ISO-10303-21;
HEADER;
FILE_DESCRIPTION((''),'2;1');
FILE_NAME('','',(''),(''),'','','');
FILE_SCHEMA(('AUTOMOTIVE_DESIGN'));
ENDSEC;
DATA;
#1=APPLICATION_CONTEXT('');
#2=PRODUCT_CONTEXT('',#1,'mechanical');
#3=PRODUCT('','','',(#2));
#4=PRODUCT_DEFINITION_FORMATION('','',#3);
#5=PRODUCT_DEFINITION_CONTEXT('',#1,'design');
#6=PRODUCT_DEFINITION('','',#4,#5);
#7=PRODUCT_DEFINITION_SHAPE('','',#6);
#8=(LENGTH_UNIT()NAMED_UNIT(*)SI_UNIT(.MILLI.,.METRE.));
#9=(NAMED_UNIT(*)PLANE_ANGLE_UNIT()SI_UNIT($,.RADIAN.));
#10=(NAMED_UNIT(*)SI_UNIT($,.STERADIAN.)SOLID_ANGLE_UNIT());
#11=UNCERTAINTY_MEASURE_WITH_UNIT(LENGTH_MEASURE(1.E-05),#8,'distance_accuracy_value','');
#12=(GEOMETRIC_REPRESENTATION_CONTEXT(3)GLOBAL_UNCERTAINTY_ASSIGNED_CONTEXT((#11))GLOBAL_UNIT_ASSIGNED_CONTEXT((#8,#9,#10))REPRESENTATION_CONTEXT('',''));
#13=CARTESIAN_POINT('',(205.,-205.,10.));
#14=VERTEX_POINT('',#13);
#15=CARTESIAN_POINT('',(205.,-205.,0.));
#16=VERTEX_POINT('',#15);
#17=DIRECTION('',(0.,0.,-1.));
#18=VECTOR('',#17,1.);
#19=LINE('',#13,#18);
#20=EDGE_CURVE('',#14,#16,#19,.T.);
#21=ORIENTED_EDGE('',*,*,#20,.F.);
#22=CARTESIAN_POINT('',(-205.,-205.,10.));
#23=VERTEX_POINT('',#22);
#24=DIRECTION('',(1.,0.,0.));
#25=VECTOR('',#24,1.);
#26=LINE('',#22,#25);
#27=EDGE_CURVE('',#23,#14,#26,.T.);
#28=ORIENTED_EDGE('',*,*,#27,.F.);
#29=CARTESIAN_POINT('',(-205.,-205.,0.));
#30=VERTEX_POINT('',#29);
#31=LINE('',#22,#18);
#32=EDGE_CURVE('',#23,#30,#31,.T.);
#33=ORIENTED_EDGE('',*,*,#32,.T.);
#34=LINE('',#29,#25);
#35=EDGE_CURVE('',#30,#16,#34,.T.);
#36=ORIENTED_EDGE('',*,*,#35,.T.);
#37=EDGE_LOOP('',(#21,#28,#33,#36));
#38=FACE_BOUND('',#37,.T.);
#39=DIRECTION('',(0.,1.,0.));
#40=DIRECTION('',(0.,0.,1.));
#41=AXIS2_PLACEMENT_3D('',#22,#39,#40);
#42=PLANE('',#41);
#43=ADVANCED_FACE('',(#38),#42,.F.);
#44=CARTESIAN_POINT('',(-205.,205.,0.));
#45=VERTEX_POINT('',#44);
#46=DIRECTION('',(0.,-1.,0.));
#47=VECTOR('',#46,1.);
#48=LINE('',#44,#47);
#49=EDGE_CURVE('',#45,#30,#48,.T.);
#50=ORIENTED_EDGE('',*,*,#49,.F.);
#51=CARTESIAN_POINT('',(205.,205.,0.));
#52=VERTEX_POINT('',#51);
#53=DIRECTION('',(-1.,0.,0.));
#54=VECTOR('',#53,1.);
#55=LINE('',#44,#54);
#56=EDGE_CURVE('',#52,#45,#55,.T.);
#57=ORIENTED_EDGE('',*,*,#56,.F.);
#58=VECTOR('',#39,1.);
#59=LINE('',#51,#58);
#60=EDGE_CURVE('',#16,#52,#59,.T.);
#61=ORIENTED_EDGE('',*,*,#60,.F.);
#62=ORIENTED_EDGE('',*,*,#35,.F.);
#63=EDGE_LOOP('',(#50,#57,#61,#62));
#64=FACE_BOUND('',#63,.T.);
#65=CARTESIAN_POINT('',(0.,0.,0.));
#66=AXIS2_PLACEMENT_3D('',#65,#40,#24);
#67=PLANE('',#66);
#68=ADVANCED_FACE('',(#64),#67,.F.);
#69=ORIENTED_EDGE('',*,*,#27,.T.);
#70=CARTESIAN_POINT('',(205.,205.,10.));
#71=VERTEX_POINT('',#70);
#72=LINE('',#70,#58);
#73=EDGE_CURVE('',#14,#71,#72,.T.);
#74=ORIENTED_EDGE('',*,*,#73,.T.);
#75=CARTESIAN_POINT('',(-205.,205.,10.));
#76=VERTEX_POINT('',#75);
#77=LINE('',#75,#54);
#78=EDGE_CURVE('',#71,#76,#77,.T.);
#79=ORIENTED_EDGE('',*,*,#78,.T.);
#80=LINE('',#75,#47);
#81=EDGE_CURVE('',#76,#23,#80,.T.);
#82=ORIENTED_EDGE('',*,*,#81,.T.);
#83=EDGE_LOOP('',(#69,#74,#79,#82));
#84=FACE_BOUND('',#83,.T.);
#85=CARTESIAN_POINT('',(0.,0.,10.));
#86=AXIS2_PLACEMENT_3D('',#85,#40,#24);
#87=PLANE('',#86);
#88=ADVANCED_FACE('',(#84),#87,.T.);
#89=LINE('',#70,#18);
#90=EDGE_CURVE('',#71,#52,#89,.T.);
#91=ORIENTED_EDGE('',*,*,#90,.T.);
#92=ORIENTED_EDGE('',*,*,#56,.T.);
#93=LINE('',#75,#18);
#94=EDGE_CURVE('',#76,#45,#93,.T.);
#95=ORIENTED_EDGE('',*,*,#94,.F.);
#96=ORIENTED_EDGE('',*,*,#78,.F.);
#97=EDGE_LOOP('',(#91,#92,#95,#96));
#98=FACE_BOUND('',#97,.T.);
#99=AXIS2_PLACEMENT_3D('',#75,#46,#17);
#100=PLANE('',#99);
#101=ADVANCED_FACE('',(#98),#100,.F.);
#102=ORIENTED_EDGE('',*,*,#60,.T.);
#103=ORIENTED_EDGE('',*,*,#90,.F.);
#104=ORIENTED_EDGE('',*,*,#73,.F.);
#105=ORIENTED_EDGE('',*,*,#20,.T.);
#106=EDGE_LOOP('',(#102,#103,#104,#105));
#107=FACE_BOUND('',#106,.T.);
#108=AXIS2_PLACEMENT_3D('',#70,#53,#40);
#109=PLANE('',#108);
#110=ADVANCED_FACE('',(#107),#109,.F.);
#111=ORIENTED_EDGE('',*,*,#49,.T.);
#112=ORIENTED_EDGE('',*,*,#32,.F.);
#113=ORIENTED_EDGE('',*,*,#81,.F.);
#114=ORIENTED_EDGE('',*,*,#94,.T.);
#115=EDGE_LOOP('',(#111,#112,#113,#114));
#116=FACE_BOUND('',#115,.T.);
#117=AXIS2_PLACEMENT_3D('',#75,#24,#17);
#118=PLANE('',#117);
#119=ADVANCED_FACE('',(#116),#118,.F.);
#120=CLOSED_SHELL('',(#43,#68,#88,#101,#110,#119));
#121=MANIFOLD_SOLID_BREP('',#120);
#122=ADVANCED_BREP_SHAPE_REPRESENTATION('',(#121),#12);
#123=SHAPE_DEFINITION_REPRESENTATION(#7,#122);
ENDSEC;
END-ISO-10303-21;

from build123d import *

# Parameters (mm, degrees)
SKETCH_1_W      = 410
SKETCH_1_H      = 410
EXTRUDE_1_DEPTH = 10


with BuildPart() as part:
    # 草圖1 → 填料-伸長1 (new body)
    with BuildSketch(Plane.XY):
        Rectangle(SKETCH_1_W, SKETCH_1_H)
    extrude(amount=EXTRUDE_1_DEPTH)


solid = part.part
